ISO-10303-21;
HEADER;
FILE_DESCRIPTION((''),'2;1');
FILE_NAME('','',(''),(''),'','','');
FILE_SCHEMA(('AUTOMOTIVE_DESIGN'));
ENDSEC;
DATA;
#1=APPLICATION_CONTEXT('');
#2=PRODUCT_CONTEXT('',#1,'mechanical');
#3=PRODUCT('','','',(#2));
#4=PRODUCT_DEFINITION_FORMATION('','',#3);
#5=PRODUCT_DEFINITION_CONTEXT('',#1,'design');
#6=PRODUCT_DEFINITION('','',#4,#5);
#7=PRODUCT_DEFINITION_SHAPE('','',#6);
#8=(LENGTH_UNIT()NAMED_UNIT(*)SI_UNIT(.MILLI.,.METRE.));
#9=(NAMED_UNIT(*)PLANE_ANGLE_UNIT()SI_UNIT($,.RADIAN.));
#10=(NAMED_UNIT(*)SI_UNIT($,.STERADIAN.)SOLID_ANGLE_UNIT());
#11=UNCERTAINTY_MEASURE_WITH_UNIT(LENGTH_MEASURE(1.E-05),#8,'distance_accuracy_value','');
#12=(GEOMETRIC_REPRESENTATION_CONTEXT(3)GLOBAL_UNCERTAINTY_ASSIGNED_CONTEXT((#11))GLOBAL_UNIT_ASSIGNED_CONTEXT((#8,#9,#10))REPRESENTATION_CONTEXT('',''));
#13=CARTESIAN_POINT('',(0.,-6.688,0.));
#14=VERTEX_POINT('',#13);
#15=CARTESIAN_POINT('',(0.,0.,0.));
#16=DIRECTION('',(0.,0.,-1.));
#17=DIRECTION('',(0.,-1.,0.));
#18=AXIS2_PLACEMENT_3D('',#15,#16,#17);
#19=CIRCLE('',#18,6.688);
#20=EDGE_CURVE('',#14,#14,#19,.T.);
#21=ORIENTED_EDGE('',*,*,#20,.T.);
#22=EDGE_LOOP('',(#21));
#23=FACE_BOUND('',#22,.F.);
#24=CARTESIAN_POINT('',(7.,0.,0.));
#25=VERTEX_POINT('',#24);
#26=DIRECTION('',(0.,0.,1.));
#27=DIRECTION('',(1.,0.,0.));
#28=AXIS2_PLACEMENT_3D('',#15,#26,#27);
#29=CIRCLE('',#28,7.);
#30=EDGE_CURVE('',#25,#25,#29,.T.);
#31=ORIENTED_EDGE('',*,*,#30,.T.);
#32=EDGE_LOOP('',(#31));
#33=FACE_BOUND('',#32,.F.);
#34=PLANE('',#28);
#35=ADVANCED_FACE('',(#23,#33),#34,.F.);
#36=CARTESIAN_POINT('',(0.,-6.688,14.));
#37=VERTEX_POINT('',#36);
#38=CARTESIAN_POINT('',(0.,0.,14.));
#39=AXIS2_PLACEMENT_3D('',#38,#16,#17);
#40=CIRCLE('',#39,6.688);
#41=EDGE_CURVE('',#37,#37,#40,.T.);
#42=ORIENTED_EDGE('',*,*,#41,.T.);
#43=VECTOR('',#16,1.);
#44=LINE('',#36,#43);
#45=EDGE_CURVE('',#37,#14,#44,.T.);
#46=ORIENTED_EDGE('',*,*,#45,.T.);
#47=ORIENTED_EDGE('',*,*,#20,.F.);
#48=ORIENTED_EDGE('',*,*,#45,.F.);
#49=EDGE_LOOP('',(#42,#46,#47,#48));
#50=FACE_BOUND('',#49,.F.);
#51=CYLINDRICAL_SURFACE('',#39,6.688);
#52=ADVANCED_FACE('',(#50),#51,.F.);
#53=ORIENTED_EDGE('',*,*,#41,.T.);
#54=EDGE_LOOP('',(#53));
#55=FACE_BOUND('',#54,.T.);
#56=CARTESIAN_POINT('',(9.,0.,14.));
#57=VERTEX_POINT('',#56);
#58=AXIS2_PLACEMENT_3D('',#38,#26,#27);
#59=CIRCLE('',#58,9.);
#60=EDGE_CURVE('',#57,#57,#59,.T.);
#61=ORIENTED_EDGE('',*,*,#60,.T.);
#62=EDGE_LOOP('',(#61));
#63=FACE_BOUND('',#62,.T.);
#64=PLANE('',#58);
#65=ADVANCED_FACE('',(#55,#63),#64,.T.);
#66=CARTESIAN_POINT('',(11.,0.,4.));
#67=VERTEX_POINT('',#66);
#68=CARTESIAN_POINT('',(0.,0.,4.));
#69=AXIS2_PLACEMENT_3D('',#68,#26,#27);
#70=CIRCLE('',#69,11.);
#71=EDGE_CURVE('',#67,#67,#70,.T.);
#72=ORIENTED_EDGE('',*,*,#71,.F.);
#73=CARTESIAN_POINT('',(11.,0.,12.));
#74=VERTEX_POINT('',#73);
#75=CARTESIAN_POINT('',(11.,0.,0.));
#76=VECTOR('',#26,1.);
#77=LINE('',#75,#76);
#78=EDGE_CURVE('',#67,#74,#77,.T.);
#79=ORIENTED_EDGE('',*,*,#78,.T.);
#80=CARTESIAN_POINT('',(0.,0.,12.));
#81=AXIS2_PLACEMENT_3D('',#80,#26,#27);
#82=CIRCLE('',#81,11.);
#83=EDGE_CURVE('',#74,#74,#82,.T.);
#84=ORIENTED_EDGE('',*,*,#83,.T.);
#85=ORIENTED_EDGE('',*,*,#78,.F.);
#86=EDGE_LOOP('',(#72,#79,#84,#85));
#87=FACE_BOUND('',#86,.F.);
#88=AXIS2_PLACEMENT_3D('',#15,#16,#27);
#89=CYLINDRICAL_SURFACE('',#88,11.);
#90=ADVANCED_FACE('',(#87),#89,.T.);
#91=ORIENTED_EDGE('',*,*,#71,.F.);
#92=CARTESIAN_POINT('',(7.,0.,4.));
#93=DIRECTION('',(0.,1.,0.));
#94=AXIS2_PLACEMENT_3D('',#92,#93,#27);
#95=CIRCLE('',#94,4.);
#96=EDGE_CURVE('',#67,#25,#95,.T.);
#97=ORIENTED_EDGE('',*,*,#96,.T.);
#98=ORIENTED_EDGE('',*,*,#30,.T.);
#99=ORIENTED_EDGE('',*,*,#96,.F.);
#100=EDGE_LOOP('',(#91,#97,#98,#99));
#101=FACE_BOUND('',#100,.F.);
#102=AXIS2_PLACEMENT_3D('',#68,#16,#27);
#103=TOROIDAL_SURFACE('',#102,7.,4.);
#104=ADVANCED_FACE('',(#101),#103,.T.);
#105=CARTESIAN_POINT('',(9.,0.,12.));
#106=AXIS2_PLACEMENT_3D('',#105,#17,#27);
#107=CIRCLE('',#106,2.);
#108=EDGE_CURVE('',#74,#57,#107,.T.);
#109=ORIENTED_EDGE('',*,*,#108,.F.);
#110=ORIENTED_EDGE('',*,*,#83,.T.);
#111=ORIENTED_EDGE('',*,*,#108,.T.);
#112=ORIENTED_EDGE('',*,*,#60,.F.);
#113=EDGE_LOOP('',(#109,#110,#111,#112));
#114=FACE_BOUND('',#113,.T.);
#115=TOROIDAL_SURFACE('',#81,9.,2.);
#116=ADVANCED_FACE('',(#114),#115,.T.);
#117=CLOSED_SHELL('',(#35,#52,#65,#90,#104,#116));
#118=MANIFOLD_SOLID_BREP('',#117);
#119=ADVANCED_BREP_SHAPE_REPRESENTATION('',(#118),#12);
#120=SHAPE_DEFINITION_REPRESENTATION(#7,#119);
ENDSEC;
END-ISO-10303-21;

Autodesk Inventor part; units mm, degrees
ref_plane "YZ Plane" through (0, 0, 0) normal (1, 0, 0) x (0, 1, 0)
ref_plane "XZ Plane" through (0, 0, 0) normal (0, 1, 0) x (-1, 0, 0)
ref_plane "XY Plane" through (0, 0, 0) normal (0, 0, 1) x (1, 0, 0)
sketch "Sketch1" plane through (0, 0, 0) normal (0, 0, 1) x (1, 0, 0)
  circle A0 centre (0, 0) radius 11
  dimension "d0" = 22
extrude "Extrusion1" add sketch "Sketch1" along normal blind 14
fillet "Fillet1" radius 2 1 edges at (-11, 0, 14)
fillet "Fillet1" radius 4 1 edges at (-11, 0, 0)
hole "Hole1" at (0, 0, 14) direction (0, 0, -1) diameter 13.376 end through all thread size "M15x1.5" class "6H" standard "ISO Metric profile"
properties part number "HANDLE CAP" material "Steel, Mild"
